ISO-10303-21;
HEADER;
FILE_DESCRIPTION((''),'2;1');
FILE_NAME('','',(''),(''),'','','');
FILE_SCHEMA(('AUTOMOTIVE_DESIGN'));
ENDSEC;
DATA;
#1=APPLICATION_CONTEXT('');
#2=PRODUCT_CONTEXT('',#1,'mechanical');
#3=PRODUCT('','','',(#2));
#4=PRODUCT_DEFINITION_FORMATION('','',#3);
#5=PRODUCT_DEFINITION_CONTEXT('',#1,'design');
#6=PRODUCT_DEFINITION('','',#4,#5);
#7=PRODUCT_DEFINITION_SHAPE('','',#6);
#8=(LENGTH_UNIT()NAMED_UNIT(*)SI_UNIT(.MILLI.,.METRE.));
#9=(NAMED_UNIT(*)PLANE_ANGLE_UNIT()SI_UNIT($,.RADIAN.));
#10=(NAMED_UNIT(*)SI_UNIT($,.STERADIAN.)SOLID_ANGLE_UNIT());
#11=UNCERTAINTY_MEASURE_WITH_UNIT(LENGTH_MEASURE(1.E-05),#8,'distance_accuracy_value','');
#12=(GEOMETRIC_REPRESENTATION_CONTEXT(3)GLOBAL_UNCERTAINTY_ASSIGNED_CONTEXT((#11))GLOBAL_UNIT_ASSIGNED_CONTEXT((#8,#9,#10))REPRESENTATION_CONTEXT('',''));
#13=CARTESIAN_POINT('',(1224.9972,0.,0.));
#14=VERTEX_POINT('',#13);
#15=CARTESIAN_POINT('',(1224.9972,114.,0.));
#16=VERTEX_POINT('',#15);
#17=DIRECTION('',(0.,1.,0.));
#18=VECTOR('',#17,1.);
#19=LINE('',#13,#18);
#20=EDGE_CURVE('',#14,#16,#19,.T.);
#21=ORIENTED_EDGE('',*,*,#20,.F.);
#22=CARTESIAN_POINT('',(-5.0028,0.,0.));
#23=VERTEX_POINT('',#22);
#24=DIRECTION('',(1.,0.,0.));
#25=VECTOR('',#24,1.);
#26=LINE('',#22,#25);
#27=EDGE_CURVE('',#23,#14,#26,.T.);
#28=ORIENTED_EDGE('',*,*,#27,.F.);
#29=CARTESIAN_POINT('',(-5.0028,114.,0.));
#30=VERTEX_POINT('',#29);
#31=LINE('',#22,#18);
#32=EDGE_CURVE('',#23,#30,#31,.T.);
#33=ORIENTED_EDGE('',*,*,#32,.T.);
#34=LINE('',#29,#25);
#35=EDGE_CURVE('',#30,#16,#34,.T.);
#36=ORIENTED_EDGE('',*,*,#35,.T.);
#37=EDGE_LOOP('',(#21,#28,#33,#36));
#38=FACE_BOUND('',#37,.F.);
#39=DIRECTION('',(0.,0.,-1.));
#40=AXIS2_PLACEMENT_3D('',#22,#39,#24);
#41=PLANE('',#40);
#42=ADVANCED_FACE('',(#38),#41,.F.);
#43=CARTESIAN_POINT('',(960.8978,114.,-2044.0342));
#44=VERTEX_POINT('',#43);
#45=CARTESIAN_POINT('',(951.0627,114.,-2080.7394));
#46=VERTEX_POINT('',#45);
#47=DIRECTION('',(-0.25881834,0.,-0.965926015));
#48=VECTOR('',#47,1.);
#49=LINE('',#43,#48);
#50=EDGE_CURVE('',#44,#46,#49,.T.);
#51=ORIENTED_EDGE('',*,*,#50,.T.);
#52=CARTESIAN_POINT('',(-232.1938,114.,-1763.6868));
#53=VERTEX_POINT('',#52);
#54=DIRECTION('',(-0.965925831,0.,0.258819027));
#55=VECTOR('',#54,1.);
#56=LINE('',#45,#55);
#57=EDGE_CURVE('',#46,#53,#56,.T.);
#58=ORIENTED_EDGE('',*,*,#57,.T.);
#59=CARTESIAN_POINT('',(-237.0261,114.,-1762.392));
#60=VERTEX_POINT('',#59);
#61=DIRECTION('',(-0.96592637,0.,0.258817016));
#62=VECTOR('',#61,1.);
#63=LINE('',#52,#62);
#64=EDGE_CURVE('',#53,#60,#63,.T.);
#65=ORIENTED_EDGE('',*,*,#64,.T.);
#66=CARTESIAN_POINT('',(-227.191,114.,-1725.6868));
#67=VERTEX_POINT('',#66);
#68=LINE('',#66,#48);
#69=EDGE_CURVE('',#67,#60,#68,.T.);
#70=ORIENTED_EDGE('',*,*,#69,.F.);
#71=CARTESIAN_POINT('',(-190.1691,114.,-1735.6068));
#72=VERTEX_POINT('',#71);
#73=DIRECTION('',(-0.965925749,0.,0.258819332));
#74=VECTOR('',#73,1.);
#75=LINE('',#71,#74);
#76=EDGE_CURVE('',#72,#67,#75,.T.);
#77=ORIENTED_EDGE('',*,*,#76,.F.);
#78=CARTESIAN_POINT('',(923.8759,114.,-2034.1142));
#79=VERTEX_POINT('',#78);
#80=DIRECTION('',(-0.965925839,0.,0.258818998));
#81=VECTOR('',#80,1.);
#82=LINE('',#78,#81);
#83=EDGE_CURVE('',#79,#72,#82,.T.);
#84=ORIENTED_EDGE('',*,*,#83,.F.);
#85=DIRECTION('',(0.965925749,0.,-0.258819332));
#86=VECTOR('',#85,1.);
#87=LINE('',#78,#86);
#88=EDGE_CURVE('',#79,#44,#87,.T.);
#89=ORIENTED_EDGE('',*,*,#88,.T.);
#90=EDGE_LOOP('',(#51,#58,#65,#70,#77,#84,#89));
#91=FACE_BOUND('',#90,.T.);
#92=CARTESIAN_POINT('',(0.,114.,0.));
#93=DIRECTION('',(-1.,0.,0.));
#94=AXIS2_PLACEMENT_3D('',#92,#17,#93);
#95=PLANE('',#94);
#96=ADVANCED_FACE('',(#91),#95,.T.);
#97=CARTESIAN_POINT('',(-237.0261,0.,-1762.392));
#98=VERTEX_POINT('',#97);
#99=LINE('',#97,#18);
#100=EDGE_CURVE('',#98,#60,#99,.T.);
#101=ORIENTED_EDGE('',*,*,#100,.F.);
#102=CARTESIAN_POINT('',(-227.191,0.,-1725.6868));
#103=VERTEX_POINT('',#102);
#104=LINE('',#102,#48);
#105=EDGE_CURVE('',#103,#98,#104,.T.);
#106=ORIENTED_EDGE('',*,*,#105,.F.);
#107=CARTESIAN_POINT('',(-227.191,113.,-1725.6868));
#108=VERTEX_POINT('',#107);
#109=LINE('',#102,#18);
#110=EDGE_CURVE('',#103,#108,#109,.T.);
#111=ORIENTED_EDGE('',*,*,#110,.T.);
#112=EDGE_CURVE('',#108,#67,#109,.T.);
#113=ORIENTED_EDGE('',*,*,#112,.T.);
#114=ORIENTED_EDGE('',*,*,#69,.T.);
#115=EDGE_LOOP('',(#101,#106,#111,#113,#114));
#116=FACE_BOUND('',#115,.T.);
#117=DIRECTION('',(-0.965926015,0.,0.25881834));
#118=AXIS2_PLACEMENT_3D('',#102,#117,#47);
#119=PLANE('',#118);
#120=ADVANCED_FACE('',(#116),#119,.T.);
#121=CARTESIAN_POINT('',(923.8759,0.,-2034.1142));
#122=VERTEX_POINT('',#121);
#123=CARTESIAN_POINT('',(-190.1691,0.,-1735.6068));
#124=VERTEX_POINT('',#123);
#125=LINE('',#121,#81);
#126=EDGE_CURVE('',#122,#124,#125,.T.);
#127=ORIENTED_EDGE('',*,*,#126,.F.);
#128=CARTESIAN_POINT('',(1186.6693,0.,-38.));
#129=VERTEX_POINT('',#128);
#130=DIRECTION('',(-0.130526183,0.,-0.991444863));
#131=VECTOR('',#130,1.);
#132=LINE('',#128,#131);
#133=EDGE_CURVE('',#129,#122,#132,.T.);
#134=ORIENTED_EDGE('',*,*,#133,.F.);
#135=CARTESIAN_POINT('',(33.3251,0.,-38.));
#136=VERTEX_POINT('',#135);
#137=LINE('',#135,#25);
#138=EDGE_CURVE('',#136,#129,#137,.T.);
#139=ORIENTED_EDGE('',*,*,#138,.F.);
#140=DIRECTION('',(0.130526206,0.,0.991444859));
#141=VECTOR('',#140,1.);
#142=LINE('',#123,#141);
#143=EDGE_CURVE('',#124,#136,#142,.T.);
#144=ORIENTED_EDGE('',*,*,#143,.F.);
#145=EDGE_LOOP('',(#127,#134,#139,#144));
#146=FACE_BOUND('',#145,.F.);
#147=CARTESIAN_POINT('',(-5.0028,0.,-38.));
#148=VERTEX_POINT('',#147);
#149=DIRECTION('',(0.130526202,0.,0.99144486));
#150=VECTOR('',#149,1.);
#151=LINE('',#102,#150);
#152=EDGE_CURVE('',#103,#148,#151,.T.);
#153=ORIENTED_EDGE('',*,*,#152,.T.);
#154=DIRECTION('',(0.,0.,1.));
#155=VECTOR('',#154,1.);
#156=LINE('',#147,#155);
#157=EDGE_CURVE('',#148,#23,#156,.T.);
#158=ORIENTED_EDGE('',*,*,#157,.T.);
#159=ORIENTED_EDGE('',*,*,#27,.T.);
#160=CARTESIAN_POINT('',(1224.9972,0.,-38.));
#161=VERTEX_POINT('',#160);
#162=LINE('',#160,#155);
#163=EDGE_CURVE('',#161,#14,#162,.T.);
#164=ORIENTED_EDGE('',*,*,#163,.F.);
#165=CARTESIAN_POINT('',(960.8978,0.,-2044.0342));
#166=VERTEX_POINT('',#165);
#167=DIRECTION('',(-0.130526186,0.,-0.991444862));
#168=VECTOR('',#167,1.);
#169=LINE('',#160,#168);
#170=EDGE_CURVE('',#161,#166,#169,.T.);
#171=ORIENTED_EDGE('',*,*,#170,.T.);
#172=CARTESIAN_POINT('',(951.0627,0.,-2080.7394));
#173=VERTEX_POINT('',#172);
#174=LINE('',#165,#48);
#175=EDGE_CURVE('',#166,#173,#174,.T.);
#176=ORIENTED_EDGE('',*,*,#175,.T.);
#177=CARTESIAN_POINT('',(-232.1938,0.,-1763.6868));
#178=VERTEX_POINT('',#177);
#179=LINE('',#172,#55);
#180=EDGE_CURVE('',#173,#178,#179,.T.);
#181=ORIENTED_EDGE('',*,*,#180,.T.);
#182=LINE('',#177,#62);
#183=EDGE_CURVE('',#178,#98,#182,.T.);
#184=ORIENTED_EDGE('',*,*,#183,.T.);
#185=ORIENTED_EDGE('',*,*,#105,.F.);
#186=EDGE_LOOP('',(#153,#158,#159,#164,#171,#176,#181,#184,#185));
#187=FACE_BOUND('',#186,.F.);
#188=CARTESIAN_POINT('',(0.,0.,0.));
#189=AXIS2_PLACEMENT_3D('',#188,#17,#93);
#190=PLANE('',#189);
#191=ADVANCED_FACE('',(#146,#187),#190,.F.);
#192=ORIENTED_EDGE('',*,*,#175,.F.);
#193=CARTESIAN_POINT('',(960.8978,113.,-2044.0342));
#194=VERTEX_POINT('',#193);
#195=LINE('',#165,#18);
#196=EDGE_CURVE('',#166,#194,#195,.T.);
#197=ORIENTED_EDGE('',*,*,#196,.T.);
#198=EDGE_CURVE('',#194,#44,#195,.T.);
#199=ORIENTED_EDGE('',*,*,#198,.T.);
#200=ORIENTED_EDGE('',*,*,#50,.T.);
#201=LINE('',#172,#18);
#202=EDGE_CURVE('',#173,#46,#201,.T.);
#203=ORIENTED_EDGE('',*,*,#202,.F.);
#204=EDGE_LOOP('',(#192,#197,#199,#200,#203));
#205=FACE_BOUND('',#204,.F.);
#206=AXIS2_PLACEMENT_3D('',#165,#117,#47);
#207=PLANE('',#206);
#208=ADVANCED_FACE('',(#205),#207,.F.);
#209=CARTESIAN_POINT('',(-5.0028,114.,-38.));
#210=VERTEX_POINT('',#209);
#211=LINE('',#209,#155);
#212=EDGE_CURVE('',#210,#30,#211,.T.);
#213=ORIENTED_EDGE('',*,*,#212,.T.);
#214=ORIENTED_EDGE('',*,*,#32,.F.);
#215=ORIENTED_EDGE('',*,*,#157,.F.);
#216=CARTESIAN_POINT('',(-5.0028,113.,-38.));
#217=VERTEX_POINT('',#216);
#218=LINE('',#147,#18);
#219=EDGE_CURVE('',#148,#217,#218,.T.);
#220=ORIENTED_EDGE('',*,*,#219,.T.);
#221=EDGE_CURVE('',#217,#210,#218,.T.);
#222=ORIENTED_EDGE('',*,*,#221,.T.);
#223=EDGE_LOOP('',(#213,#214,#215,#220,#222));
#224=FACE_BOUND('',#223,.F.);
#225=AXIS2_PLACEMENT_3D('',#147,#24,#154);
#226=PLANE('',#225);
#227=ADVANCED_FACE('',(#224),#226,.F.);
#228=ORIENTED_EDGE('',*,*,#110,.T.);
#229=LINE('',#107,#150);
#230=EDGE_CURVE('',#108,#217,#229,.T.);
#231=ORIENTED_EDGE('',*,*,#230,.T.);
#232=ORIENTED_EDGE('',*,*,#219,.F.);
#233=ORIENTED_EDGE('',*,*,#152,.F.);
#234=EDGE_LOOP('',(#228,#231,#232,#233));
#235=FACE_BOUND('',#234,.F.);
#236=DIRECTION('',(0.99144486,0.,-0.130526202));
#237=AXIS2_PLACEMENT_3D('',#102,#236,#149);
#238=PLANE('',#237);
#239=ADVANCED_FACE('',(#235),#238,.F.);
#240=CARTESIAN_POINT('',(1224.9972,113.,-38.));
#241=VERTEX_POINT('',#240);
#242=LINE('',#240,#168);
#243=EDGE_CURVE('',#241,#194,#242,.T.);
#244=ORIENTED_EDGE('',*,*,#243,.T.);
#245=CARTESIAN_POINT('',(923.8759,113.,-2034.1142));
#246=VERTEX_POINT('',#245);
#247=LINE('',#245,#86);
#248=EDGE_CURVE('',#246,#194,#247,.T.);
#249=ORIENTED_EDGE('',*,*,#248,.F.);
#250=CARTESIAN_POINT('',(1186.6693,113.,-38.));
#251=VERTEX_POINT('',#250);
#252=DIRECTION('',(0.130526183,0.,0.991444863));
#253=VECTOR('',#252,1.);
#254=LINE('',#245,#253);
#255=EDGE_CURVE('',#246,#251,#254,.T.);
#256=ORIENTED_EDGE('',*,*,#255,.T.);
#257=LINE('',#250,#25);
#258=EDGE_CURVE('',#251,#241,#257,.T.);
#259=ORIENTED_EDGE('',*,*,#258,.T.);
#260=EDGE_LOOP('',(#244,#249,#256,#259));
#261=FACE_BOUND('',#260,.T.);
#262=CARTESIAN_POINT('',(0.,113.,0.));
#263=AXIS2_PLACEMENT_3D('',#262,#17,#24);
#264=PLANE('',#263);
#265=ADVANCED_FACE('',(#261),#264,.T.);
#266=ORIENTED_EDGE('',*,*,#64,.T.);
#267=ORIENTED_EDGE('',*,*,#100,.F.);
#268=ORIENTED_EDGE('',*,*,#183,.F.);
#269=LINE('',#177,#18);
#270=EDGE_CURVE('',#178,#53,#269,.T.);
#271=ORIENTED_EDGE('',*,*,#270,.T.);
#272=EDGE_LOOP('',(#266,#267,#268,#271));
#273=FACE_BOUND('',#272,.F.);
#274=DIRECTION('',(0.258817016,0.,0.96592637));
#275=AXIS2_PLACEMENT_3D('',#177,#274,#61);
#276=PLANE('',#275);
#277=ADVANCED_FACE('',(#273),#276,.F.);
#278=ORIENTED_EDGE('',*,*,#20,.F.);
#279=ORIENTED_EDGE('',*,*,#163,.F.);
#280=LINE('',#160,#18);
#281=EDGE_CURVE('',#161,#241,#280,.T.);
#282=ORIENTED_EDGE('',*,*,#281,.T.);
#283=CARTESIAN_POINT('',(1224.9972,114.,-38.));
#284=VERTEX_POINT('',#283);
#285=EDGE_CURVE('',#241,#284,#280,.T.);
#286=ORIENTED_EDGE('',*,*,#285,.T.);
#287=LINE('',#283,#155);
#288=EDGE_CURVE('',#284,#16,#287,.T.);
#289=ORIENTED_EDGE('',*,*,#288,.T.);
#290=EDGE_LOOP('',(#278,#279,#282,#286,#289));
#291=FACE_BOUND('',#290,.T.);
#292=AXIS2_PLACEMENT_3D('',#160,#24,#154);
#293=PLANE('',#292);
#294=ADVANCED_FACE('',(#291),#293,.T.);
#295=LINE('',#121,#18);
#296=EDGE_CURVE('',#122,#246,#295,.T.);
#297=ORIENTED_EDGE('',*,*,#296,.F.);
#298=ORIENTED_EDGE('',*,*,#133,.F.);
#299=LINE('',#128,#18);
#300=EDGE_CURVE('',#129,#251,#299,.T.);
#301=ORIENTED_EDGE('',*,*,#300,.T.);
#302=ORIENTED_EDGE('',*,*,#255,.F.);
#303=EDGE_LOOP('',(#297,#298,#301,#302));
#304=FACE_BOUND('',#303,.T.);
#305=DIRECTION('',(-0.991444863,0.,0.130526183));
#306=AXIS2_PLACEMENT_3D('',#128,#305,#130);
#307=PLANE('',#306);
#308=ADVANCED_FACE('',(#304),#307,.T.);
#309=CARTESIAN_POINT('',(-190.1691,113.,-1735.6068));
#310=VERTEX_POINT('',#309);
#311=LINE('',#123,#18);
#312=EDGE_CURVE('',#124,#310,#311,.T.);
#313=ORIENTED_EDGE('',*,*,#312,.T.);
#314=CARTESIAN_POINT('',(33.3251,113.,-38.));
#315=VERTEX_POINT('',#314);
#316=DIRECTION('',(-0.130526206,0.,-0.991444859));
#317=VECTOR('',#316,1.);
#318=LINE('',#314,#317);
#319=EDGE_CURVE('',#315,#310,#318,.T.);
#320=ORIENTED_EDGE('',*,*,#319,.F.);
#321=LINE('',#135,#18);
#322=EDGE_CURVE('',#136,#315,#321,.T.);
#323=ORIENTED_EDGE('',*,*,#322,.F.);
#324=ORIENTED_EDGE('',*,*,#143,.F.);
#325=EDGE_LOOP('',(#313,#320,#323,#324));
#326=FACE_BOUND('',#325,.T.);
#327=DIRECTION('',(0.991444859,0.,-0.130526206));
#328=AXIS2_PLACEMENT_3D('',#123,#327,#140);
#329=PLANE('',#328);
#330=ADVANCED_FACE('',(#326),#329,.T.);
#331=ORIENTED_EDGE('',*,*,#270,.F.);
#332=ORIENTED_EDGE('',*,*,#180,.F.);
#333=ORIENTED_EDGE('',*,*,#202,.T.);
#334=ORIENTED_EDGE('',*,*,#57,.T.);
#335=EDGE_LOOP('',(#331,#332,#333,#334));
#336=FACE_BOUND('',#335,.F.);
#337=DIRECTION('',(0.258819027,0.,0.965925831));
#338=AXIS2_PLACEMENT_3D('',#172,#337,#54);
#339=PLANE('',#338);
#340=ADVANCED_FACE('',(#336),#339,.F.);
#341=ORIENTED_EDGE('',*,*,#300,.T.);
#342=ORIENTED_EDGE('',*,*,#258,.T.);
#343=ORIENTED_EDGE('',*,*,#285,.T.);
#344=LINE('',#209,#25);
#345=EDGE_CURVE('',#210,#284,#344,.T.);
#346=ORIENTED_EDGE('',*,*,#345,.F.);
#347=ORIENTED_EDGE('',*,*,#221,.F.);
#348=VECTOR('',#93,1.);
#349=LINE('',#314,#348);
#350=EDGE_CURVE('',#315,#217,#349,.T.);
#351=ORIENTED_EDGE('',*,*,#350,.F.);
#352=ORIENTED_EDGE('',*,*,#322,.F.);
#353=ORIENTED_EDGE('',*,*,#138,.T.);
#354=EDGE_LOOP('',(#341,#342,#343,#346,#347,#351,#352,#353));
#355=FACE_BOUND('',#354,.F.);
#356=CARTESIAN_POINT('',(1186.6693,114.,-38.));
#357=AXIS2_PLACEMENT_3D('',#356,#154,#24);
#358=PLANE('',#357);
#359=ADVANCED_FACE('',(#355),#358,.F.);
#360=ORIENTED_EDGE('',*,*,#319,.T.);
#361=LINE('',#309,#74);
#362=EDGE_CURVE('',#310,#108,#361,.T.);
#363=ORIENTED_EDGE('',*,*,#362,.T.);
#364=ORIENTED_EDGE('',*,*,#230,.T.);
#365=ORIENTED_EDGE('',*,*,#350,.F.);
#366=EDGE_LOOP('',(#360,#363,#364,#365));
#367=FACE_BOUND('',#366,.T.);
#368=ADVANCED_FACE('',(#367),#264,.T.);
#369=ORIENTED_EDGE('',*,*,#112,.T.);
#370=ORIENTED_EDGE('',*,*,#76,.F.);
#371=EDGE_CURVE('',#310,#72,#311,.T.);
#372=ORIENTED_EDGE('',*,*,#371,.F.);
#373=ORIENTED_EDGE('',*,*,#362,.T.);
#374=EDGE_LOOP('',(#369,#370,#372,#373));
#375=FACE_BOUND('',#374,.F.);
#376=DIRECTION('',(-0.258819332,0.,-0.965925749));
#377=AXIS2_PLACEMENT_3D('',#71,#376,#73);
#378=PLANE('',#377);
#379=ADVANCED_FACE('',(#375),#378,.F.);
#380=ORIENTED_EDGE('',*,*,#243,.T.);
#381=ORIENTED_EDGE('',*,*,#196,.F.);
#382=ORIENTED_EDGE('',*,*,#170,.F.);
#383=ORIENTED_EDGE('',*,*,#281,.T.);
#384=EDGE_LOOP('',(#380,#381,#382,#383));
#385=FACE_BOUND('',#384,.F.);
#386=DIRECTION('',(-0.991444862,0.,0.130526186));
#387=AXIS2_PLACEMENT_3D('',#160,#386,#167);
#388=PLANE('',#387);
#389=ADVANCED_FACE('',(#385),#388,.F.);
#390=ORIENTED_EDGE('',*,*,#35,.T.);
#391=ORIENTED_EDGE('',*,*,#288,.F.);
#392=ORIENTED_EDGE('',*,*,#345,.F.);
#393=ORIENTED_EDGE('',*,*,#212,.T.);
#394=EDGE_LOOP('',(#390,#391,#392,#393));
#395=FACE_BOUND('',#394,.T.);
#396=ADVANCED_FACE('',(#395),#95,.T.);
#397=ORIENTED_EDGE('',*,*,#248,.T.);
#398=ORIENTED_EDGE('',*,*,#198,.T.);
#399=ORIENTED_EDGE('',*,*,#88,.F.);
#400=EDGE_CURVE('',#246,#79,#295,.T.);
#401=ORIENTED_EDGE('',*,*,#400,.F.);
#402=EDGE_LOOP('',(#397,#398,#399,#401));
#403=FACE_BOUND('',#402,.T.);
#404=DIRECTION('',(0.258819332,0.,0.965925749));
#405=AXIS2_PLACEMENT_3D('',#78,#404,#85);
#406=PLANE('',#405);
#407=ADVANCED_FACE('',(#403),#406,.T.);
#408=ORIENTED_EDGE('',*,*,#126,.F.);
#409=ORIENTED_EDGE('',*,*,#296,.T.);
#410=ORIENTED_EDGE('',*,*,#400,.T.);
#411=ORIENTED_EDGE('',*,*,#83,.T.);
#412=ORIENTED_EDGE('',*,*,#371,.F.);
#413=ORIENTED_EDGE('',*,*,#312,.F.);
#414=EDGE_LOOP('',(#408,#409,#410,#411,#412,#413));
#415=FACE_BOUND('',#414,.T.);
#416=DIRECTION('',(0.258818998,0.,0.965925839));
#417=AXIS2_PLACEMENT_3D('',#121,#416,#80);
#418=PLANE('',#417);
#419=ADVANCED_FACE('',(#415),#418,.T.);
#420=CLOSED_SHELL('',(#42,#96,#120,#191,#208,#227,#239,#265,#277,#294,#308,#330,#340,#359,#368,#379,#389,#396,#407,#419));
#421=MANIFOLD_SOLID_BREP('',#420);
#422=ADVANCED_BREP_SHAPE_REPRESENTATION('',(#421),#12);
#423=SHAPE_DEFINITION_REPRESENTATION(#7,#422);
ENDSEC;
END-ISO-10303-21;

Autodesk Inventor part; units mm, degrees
ref_plane "YZ Plane" through (0, 0, 0) normal (1, 0, 0) x (0, 1, 0)
ref_plane "XZ Plane" through (0, 0, 0) normal (0, 1, 0) x (-1, 0, 0)
ref_plane "XY Plane" through (0, 0, 0) normal (0, 0, 1) x (1, 0, 0)
sketch "Sketch1" plane through (0, 0, 0) normal (0, 1, 0) x (-1, 0, 0)
  line L0 (-1224.9972, -38) -> (-960.8978, -2044.0342)
  line L1 (-951.0627, -2080.7394) -> (232.1938, -1763.6868)
  line L2 (-955.895, -2082.0342) -> (274.105, -2082.0342) construction
  line L3 (227.191, -1725.6868) -> (5.0028, -38)
  line L4 (190.1691, -1735.6068) -> (-33.3251, -38)
  line L5 (-33.3251, -38) -> (-1186.6693, -38)
  line L6 (-1186.6693, -38) -> (-923.8759, -2034.1142)
  line L7 (-960.8978, -2044.0342) -> (-951.0627, -2080.7394)
  line L8 (-923.8759, -2034.1142) -> (190.1691, -1735.6068)
  line L9 (-1224.9972, -38) -> (-1224.9972, 0)
  line L10 (5.0028, -38) -> (5.0028, 0)
  line L11 (-1230, 0) -> (-1224.9972, 0) construction
  line L12 (5.0028, 0) -> (870, 0) construction
  line L13 (5.0028, 0) -> (-1224.9972, 0)
  line L14 (232.1938, -1763.6868) -> (237.0261, -1762.392)
  line L15 (227.191, -1725.6868) -> (237.0261, -1762.392)
  dimension "d1" = 2100
  dimension "d9" = 1230
  dimension "d10" = 15
  dimension "d12" = 38
extrude "Extrusion1" add sketch "Sketch1" along normal blind 114
sketch "Sketch2" plane through (0, 114, 0) normal (0, 1, 0) x (1, 0, 0)
  line L0 (33.3251, 38) -> (-190.1691, 1735.6068) projected
  line L1 (-227.191, 1725.6868) -> (-5.0028, 38) projected
  line L2 (1224.9972, 0) -> (1224.9972, 38) projected
  line L3 (960.8978, 2044.0342) -> (951.0627, 2080.7394) projected
  line L4 (-190.1691, 1735.6068) -> (-227.191, 1725.6868)
  line L5 (33.3251, 38) -> (-5.0028, 38)
  point P0 (0, 0)
extrude "Extrusion2" cut sketch "Sketch2" against normal blind 1
sketch "Sketch3" plane through (0, 114, 0) normal (0, 1, 0) x (1, 0, 0)
  line L0 (1224.9972, 0) -> (1224.9972, 38) projected
  line L1 (1224.9972, 38) -> (960.8978, 2044.0342) projected
  line L2 (960.8978, 2044.0342) -> (951.0627, 2080.7394) projected
  line L3 (951.0627, 2080.7394) -> (-237.0261, 1762.392) projected
  line L4 (-237.0261, 1762.392) -> (-227.191, 1725.6868) projected
  line L5 (-227.191, 1725.6868) -> (923.8759, 2034.1142) projected
  line L6 (923.8759, 2034.1142) -> (1186.6693, 38) projected
  line L7 (1186.6693, 38) -> (1224.9972, 38)
  line L8 (923.8759, 2034.1142) -> (960.8978, 2044.0342)
  point P0 (0, 0)
extrude "Extrusion3" cut sketch "Sketch3" against normal blind 1 contours L7 L6 L8 L1
properties part number "H7jp.E_UfaA-panelEframe" material "Wood (Cherry)"
